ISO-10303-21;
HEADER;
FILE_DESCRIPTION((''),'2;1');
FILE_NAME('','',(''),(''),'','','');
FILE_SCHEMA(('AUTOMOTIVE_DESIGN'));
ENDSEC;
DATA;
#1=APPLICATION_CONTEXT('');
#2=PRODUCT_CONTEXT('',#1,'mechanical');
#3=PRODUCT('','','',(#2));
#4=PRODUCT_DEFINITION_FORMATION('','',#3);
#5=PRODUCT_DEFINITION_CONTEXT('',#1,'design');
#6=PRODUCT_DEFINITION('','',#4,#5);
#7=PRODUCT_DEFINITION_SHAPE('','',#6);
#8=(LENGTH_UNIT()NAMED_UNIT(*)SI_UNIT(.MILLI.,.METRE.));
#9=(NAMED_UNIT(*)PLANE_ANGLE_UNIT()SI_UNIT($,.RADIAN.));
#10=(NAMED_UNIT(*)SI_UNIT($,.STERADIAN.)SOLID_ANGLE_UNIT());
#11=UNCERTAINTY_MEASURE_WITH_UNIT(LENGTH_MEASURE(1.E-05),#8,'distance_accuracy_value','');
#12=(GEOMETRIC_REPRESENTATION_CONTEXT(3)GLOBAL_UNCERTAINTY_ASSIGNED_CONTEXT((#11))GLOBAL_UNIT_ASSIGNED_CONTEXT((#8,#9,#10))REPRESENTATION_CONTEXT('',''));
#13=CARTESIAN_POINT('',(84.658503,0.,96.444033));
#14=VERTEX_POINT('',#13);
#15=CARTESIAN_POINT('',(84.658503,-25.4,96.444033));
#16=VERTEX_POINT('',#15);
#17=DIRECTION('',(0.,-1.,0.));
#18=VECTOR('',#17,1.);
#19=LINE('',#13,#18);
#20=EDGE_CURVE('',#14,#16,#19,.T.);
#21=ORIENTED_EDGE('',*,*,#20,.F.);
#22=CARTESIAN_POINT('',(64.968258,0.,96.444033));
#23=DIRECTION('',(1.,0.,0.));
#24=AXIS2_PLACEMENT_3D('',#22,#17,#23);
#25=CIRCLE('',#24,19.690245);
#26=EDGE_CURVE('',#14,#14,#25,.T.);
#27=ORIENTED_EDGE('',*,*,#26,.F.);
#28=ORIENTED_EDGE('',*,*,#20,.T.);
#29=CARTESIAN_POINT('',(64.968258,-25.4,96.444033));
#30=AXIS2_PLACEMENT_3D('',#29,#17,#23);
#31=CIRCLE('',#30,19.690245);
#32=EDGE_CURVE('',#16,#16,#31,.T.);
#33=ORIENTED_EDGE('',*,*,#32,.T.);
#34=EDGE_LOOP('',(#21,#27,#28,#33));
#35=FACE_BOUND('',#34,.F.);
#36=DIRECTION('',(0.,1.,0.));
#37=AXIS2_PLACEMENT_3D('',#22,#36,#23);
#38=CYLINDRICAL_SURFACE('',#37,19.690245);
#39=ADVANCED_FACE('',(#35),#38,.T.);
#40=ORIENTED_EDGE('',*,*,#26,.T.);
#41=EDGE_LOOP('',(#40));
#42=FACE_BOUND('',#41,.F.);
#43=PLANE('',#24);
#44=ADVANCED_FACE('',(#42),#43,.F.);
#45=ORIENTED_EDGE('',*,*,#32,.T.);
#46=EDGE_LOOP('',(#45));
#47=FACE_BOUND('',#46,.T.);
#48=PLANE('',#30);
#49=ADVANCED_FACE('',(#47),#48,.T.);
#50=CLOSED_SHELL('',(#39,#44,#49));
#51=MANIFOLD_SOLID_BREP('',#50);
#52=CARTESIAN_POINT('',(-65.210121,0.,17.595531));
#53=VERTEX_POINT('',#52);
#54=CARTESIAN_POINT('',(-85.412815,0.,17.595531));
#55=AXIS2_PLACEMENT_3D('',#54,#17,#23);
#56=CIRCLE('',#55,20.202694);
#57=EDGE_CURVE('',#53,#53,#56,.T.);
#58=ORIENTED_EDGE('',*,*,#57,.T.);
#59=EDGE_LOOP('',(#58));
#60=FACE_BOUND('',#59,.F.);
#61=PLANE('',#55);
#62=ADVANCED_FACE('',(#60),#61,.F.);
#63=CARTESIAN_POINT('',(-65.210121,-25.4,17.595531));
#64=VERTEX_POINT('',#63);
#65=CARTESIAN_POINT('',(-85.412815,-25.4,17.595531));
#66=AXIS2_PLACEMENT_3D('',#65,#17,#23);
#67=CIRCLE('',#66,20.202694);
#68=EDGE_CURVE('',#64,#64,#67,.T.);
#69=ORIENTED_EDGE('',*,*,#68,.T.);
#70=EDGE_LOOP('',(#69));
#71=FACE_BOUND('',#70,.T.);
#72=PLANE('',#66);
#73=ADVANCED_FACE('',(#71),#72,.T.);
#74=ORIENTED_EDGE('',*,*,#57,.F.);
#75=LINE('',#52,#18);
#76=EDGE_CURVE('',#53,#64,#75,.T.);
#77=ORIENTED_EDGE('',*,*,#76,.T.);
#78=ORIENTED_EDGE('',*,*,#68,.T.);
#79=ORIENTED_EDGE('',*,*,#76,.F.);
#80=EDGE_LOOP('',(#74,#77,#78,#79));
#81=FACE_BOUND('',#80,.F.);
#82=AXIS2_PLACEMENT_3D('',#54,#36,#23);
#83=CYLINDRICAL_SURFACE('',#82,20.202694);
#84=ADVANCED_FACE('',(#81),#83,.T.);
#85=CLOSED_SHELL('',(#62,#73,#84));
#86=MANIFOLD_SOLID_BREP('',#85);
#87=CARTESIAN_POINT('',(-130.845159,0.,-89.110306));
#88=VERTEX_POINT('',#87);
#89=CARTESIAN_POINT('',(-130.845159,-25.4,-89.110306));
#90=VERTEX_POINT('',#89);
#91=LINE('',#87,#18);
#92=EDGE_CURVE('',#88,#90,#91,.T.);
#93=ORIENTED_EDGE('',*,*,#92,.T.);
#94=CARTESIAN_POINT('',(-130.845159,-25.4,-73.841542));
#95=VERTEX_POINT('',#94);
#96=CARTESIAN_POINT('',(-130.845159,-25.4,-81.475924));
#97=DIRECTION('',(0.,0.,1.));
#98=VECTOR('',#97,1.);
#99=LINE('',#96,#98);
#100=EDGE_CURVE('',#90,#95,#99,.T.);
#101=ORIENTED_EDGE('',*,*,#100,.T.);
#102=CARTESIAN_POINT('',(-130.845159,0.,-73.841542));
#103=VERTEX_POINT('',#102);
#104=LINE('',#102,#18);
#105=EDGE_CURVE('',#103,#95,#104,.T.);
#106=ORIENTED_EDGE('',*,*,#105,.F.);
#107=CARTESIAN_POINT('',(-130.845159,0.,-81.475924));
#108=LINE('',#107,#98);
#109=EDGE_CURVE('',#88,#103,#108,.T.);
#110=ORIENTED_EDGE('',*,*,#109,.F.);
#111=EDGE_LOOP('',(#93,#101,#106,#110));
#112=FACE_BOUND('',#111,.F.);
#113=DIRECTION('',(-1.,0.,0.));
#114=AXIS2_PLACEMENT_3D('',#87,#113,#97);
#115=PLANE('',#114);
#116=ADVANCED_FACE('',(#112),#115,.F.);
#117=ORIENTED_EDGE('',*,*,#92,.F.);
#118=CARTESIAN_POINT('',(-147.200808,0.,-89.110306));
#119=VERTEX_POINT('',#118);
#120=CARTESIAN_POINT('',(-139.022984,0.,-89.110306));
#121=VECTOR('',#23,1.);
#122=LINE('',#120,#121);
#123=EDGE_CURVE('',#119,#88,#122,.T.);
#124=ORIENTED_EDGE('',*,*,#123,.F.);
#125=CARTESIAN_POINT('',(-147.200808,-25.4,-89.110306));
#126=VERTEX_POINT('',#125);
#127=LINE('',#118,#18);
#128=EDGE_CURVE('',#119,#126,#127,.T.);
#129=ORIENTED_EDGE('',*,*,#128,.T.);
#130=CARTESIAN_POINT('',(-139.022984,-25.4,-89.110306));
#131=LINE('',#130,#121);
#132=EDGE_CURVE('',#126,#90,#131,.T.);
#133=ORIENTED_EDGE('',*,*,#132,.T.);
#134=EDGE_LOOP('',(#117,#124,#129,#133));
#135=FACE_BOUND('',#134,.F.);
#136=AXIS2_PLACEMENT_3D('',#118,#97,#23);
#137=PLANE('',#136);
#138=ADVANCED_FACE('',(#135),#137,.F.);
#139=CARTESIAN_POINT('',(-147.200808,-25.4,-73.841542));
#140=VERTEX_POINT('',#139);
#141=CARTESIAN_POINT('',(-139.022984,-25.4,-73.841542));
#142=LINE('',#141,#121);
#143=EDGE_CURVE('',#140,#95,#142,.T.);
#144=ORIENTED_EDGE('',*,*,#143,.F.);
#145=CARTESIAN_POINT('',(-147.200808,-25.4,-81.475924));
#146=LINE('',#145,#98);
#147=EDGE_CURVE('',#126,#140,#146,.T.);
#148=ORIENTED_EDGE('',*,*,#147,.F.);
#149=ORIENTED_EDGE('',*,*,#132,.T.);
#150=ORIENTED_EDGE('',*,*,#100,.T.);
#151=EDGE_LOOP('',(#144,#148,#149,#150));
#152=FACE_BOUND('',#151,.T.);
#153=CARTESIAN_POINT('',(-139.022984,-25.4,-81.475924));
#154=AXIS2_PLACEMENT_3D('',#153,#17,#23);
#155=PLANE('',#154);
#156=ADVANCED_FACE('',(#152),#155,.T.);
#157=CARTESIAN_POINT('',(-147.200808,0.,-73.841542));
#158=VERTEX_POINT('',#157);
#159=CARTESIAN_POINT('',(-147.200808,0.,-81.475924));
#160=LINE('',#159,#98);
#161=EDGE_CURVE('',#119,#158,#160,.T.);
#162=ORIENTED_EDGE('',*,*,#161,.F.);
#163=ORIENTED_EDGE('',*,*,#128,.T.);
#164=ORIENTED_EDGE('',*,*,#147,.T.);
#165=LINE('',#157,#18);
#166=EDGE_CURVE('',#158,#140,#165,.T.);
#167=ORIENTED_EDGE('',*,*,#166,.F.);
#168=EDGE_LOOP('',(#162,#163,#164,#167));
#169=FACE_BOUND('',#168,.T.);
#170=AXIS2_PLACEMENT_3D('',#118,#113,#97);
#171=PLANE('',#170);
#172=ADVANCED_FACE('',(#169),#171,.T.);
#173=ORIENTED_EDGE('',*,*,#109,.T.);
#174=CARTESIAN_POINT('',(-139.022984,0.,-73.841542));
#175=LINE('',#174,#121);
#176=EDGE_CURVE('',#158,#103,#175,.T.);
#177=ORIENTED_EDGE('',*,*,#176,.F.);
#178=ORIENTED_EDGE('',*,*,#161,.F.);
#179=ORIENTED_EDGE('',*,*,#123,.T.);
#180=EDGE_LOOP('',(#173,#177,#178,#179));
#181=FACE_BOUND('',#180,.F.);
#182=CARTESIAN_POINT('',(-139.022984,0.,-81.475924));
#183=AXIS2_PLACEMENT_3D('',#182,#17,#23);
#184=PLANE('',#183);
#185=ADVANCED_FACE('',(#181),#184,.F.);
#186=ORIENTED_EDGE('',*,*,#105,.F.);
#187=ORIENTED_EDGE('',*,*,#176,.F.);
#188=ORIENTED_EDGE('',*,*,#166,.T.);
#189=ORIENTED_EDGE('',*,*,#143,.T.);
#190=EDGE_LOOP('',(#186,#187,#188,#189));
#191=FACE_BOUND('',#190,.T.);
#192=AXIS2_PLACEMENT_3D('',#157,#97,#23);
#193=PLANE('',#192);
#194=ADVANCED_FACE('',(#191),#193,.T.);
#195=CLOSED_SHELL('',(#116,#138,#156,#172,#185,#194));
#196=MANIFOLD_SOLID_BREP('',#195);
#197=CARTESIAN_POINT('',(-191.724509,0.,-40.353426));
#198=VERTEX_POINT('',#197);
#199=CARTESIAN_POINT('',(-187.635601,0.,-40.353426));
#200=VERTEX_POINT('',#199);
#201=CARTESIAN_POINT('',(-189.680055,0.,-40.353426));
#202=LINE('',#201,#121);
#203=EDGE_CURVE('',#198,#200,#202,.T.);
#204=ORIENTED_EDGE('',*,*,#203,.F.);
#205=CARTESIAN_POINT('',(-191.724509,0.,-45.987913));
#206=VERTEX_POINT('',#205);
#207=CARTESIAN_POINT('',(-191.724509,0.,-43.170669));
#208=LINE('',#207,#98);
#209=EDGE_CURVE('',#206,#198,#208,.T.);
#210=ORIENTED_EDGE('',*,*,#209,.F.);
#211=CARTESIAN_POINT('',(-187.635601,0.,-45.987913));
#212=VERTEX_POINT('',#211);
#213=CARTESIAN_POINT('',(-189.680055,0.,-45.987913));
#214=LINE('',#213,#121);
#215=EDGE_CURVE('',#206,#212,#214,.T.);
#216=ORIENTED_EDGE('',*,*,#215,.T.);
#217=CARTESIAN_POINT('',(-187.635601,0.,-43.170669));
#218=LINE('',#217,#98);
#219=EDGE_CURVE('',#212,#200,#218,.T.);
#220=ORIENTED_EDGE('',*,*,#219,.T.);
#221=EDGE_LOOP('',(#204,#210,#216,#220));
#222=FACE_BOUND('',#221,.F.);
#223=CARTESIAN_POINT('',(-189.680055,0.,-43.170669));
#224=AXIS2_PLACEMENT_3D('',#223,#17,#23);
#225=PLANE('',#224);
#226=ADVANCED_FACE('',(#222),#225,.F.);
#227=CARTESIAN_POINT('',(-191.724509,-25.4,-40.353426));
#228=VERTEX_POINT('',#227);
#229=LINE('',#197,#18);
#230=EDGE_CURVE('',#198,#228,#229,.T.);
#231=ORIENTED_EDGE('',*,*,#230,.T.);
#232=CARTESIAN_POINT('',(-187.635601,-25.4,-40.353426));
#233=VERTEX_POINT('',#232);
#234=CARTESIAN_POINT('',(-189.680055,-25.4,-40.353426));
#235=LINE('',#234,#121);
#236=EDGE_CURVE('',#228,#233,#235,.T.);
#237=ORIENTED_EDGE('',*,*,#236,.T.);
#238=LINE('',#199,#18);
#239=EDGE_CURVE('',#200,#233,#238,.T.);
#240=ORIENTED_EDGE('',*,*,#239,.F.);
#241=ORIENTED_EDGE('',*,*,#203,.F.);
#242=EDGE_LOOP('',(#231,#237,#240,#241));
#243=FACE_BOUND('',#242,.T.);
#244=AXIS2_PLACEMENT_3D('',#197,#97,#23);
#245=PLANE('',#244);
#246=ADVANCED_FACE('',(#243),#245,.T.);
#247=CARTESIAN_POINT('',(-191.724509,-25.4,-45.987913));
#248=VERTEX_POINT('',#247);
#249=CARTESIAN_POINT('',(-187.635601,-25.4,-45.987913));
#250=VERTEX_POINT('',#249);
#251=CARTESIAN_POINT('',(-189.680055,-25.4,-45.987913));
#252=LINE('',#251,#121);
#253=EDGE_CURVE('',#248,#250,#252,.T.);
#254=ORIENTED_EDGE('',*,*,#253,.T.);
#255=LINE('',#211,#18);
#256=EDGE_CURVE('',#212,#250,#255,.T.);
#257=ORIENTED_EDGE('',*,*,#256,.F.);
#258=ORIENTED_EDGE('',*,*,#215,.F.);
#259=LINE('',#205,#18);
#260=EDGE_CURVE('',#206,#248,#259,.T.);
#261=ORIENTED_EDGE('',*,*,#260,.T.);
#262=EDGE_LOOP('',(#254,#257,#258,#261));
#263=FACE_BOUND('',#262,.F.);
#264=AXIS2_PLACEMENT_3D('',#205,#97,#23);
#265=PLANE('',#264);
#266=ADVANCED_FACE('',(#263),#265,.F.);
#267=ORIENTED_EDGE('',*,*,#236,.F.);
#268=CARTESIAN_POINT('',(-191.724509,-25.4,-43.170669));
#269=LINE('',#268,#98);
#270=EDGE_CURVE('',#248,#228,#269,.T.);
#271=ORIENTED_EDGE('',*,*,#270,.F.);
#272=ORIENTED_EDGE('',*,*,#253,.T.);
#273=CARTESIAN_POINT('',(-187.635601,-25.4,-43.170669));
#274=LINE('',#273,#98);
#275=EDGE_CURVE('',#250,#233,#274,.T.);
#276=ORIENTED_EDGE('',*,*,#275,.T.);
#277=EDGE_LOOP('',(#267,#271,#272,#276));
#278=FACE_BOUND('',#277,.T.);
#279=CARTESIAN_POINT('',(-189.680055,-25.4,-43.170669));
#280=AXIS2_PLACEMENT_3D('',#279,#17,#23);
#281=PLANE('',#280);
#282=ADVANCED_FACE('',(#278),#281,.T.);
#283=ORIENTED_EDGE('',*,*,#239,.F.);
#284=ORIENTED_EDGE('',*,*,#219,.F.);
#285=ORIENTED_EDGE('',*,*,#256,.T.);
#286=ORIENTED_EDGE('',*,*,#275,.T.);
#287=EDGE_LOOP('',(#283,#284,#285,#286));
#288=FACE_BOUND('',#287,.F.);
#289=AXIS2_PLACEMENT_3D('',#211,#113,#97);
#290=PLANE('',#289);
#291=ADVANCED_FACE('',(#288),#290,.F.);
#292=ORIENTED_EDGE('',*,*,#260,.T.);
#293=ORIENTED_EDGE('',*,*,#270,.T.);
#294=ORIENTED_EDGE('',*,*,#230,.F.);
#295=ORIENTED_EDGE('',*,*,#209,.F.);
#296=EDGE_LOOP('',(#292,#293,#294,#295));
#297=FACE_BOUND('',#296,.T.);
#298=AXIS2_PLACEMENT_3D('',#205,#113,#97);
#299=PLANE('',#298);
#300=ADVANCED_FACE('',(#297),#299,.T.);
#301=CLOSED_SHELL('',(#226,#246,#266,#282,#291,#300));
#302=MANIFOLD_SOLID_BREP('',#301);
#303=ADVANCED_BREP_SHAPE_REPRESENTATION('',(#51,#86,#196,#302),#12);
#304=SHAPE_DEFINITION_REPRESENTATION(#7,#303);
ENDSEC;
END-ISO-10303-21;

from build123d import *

# Parameters (mm, degrees)
F0_W     = 4.088908
F0_H     = 5.634487
F0_W_2   = 16.355649
F0_H_2   = 15.268765
F0_R     = 20.202694
F0_R_2   = 19.690245
F1_DEPTH = 25.4


with BuildPart() as f1:
    # F0 (on Front) → F1 (new body)
    with BuildSketch(Plane.XZ):
        with Locations((-189.680055, -43.170669)):
            Rectangle(F0_W, F0_H)
        with Locations((-139.022984, -81.475924)):
            Rectangle(F0_W_2, F0_H_2)
        with Locations((-85.412815, 17.595531)):
            Circle(F0_R)
        with Locations((64.968258, 96.444033)):
            Circle(F0_R_2)
    extrude(amount=F1_DEPTH)


solid = f1.part
